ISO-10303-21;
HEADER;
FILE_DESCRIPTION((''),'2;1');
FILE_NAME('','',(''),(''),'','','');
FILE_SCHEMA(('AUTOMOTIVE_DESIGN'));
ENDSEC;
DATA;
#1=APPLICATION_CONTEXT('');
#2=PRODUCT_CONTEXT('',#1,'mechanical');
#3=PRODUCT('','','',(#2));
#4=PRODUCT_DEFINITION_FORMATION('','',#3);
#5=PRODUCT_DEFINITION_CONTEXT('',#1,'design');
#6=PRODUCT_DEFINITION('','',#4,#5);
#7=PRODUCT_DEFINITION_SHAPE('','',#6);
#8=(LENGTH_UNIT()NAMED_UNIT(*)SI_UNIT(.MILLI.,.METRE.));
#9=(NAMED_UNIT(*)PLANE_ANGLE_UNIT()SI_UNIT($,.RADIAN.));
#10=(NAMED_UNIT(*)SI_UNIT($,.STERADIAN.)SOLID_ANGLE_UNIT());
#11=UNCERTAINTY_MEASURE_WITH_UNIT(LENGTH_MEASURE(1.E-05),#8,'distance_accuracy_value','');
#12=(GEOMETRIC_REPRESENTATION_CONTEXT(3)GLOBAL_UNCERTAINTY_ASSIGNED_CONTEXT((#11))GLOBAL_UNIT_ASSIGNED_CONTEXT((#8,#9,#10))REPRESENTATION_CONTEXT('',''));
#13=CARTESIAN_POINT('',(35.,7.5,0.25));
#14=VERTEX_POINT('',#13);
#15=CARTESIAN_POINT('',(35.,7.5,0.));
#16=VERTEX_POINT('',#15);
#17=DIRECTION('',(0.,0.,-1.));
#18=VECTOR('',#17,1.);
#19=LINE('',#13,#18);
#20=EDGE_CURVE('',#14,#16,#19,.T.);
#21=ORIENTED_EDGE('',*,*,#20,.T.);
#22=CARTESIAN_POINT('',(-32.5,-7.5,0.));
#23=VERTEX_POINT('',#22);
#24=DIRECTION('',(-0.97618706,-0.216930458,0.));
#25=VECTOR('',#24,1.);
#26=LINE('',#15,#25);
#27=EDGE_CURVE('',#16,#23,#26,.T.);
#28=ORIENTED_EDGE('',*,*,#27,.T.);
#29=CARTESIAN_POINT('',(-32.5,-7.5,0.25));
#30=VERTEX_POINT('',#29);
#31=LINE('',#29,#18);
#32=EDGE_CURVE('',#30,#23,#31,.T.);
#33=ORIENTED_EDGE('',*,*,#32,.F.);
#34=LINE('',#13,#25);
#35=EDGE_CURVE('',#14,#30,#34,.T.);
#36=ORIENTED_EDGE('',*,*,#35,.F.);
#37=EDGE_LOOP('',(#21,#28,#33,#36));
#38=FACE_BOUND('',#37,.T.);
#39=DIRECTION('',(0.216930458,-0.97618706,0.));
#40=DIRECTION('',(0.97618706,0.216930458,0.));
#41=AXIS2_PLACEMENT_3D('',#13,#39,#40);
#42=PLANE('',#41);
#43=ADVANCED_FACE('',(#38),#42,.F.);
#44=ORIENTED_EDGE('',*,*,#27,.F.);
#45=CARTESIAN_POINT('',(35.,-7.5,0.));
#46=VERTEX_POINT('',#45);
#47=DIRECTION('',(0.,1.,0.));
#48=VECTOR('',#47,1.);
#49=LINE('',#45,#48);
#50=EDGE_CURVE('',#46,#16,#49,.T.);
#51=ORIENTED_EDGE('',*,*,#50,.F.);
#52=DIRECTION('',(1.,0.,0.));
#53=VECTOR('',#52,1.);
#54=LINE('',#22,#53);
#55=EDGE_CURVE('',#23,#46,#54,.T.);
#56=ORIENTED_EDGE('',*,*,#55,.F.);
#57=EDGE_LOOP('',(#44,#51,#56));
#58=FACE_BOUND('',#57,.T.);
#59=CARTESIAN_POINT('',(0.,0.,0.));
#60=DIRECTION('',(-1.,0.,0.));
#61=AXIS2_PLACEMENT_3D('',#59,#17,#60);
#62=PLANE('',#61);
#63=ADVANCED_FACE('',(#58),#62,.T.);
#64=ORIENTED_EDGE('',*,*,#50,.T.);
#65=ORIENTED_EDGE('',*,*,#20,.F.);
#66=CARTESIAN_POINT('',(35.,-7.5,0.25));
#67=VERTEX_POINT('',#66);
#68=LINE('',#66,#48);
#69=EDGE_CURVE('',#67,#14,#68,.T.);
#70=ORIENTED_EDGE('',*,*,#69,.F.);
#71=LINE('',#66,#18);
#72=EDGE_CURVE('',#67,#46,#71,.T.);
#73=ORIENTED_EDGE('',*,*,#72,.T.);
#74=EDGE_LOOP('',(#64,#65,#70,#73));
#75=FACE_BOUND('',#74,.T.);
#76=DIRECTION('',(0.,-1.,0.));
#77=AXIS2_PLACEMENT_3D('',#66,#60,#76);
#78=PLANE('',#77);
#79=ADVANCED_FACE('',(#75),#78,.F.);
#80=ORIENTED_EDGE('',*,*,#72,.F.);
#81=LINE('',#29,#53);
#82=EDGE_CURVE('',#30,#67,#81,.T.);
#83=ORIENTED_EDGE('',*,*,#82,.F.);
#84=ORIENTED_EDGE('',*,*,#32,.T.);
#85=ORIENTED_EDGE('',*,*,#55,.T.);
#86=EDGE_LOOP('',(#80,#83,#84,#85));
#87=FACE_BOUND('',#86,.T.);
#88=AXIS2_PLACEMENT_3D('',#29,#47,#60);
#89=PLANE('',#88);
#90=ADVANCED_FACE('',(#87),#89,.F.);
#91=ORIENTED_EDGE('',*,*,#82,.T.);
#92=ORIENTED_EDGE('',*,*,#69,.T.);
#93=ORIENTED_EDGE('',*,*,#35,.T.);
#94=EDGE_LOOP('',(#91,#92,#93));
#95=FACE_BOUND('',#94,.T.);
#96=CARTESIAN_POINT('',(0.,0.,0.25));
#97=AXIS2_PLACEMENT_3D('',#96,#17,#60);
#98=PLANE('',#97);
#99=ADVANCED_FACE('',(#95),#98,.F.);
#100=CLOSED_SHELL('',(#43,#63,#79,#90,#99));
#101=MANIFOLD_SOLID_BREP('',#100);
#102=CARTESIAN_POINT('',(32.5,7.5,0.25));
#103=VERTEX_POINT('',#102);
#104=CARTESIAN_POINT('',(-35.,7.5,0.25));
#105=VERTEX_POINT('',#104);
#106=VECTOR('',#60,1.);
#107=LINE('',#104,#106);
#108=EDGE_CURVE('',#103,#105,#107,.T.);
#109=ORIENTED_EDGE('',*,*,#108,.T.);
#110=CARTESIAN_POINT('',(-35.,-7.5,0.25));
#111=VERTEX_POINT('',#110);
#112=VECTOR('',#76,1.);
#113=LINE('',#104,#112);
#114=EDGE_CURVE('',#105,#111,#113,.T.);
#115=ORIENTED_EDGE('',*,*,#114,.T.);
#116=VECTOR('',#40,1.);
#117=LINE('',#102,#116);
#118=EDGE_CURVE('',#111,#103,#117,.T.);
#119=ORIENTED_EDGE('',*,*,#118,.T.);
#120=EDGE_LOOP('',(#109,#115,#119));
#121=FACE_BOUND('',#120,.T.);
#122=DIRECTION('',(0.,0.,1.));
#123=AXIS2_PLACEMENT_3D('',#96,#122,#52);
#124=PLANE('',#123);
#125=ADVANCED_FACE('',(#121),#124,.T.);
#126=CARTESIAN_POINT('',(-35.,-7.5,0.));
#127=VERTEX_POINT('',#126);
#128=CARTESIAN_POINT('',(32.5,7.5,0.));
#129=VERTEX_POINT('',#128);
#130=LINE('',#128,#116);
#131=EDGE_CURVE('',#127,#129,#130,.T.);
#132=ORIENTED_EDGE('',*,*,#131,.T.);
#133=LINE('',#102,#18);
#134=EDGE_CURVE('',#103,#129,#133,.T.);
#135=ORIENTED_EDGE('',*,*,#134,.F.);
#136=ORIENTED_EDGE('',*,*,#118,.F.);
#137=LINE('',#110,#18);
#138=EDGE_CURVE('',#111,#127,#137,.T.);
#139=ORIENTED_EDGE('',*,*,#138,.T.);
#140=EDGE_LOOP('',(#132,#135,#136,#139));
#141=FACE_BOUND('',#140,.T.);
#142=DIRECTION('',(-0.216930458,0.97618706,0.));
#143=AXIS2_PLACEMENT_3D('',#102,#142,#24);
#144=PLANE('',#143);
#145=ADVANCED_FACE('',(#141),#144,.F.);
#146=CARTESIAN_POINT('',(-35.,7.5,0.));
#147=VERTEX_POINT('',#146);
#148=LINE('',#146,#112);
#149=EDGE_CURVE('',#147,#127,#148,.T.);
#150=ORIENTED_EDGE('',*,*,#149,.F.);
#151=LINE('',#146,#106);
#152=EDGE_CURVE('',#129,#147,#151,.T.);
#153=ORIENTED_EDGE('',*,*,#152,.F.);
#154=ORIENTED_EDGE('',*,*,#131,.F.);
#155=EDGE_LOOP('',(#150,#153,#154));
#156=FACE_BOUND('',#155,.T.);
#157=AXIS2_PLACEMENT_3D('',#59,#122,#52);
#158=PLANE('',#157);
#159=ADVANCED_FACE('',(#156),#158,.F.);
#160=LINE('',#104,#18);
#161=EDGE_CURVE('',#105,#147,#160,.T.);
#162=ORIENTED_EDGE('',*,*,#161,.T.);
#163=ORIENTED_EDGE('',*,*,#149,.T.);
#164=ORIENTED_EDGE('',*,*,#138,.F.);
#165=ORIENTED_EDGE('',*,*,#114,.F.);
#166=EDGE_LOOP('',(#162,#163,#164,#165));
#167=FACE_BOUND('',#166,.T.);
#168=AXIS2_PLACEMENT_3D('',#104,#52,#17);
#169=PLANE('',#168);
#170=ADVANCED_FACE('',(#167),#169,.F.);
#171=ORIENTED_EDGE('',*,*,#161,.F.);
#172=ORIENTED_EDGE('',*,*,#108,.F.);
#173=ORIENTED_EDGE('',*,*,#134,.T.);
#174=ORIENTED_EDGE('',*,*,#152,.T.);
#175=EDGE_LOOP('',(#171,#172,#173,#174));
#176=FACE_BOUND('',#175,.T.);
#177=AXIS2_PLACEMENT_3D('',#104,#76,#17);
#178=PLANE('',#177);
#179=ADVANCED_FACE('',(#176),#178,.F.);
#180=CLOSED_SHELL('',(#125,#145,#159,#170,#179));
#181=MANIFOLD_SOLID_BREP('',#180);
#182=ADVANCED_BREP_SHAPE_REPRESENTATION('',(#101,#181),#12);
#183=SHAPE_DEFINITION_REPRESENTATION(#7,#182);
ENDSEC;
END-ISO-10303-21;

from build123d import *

# Parameters (mm, degrees)
BOSS_EXTRUDE1_DEPTH   = 0.25
BOSS_EXTRUDE1_2_DEPTH = 0.25


with BuildPart() as part:
    # Sketch11 → Boss-Extrude1 (new body)
    with BuildSketch(Plane(origin=(0, -5, 0), x_dir=(1, 0, 0), z_dir=(0, 0, 1))):
        Polygon((-35, 12.5), (32.5, 12.5), (-35, -2.5), align=None)
    extrude(amount=BOSS_EXTRUDE1_DEPTH)


with BuildPart() as body_2:
    # Sketch11 → Boss-Extrude1 2 (new body)
    with BuildSketch(Plane(origin=(0, -5, 0), x_dir=(1, 0, 0), z_dir=(0, 0, 1))):
        Polygon((-32.5, -2.5), (35, -2.5), (35, 12.5), align=None)
    extrude(amount=BOSS_EXTRUDE1_2_DEPTH)


solid = Compound([part.part, body_2.part])
